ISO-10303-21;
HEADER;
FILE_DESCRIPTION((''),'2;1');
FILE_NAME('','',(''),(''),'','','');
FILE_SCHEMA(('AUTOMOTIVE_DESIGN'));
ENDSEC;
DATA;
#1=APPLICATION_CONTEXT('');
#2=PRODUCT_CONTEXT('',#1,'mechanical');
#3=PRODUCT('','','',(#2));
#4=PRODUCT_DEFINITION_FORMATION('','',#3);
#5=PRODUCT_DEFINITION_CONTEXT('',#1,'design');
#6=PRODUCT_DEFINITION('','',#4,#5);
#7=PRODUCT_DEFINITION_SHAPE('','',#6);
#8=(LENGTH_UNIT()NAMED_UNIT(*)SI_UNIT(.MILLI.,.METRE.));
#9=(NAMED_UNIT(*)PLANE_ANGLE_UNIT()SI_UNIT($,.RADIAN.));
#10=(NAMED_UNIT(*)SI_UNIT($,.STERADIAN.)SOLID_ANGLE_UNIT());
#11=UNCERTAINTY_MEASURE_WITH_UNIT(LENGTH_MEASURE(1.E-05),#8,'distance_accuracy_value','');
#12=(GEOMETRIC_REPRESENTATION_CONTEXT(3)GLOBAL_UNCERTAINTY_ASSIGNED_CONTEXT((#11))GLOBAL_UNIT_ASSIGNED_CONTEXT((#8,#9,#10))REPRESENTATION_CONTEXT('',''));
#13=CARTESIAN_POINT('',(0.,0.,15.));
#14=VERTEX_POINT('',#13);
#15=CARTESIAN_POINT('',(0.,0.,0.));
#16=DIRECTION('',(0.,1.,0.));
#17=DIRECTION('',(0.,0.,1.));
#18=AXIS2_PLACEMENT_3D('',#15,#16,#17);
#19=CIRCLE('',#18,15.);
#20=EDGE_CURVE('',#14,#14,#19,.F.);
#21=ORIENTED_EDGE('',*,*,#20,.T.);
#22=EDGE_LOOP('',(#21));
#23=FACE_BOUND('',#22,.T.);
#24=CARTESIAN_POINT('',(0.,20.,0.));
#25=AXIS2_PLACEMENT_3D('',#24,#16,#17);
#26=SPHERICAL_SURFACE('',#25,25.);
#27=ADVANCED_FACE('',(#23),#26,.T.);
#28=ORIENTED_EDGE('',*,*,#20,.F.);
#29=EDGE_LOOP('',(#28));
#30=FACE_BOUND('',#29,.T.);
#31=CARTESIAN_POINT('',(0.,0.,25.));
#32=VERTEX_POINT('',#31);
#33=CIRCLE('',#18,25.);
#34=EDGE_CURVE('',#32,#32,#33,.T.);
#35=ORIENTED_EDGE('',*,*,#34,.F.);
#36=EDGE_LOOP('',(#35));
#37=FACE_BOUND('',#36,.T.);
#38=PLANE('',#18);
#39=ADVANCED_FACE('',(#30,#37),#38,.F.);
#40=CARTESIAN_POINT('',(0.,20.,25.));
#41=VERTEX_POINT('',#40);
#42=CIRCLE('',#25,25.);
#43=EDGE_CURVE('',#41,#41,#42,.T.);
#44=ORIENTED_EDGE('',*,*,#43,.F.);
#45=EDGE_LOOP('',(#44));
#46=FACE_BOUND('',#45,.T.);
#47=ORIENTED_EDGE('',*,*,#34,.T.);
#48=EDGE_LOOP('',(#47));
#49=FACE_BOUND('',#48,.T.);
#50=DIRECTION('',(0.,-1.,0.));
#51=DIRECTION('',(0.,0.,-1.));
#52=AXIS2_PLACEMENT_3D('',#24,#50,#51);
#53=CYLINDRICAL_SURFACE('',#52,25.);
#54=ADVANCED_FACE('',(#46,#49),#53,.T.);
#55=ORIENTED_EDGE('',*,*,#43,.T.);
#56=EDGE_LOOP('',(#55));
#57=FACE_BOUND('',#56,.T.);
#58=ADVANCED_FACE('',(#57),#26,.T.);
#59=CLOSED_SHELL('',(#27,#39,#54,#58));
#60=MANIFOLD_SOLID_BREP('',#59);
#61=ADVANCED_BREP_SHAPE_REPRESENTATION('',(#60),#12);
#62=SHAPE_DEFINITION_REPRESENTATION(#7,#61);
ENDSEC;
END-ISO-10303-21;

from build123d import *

# Parameters (mm, degrees)
SKETCH1_R           = 25
BOSS_EXTRUDE1_DEPTH = 20


with BuildPart() as part:
    # Sketch1 → Boss-Extrude1 (new body)
    with BuildSketch(Plane(origin=(0, 0, 0), x_dir=(1, 0, 0), z_dir=(0, 1, 0))):
        with Locations(Location((0, 0, 0), (0, 0, 270))):
            Circle(SKETCH1_R)
    extrude(amount=BOSS_EXTRUDE1_DEPTH)

    # Sketch2 → Revolve1 (revolve)
    with BuildSketch(Plane(origin=(0, 20, 0), x_dir=(1, 0, 0), z_dir=(0, 1, 0))):
        with BuildLine():
            Line((0, 25), (0, -25))
            ThreePointArc((0, -25), (25, 0), (0, 25))
        make_face()
    revolve(axis=Axis((0, 20, -25), (0, 0, 1)))


solid = part.part
